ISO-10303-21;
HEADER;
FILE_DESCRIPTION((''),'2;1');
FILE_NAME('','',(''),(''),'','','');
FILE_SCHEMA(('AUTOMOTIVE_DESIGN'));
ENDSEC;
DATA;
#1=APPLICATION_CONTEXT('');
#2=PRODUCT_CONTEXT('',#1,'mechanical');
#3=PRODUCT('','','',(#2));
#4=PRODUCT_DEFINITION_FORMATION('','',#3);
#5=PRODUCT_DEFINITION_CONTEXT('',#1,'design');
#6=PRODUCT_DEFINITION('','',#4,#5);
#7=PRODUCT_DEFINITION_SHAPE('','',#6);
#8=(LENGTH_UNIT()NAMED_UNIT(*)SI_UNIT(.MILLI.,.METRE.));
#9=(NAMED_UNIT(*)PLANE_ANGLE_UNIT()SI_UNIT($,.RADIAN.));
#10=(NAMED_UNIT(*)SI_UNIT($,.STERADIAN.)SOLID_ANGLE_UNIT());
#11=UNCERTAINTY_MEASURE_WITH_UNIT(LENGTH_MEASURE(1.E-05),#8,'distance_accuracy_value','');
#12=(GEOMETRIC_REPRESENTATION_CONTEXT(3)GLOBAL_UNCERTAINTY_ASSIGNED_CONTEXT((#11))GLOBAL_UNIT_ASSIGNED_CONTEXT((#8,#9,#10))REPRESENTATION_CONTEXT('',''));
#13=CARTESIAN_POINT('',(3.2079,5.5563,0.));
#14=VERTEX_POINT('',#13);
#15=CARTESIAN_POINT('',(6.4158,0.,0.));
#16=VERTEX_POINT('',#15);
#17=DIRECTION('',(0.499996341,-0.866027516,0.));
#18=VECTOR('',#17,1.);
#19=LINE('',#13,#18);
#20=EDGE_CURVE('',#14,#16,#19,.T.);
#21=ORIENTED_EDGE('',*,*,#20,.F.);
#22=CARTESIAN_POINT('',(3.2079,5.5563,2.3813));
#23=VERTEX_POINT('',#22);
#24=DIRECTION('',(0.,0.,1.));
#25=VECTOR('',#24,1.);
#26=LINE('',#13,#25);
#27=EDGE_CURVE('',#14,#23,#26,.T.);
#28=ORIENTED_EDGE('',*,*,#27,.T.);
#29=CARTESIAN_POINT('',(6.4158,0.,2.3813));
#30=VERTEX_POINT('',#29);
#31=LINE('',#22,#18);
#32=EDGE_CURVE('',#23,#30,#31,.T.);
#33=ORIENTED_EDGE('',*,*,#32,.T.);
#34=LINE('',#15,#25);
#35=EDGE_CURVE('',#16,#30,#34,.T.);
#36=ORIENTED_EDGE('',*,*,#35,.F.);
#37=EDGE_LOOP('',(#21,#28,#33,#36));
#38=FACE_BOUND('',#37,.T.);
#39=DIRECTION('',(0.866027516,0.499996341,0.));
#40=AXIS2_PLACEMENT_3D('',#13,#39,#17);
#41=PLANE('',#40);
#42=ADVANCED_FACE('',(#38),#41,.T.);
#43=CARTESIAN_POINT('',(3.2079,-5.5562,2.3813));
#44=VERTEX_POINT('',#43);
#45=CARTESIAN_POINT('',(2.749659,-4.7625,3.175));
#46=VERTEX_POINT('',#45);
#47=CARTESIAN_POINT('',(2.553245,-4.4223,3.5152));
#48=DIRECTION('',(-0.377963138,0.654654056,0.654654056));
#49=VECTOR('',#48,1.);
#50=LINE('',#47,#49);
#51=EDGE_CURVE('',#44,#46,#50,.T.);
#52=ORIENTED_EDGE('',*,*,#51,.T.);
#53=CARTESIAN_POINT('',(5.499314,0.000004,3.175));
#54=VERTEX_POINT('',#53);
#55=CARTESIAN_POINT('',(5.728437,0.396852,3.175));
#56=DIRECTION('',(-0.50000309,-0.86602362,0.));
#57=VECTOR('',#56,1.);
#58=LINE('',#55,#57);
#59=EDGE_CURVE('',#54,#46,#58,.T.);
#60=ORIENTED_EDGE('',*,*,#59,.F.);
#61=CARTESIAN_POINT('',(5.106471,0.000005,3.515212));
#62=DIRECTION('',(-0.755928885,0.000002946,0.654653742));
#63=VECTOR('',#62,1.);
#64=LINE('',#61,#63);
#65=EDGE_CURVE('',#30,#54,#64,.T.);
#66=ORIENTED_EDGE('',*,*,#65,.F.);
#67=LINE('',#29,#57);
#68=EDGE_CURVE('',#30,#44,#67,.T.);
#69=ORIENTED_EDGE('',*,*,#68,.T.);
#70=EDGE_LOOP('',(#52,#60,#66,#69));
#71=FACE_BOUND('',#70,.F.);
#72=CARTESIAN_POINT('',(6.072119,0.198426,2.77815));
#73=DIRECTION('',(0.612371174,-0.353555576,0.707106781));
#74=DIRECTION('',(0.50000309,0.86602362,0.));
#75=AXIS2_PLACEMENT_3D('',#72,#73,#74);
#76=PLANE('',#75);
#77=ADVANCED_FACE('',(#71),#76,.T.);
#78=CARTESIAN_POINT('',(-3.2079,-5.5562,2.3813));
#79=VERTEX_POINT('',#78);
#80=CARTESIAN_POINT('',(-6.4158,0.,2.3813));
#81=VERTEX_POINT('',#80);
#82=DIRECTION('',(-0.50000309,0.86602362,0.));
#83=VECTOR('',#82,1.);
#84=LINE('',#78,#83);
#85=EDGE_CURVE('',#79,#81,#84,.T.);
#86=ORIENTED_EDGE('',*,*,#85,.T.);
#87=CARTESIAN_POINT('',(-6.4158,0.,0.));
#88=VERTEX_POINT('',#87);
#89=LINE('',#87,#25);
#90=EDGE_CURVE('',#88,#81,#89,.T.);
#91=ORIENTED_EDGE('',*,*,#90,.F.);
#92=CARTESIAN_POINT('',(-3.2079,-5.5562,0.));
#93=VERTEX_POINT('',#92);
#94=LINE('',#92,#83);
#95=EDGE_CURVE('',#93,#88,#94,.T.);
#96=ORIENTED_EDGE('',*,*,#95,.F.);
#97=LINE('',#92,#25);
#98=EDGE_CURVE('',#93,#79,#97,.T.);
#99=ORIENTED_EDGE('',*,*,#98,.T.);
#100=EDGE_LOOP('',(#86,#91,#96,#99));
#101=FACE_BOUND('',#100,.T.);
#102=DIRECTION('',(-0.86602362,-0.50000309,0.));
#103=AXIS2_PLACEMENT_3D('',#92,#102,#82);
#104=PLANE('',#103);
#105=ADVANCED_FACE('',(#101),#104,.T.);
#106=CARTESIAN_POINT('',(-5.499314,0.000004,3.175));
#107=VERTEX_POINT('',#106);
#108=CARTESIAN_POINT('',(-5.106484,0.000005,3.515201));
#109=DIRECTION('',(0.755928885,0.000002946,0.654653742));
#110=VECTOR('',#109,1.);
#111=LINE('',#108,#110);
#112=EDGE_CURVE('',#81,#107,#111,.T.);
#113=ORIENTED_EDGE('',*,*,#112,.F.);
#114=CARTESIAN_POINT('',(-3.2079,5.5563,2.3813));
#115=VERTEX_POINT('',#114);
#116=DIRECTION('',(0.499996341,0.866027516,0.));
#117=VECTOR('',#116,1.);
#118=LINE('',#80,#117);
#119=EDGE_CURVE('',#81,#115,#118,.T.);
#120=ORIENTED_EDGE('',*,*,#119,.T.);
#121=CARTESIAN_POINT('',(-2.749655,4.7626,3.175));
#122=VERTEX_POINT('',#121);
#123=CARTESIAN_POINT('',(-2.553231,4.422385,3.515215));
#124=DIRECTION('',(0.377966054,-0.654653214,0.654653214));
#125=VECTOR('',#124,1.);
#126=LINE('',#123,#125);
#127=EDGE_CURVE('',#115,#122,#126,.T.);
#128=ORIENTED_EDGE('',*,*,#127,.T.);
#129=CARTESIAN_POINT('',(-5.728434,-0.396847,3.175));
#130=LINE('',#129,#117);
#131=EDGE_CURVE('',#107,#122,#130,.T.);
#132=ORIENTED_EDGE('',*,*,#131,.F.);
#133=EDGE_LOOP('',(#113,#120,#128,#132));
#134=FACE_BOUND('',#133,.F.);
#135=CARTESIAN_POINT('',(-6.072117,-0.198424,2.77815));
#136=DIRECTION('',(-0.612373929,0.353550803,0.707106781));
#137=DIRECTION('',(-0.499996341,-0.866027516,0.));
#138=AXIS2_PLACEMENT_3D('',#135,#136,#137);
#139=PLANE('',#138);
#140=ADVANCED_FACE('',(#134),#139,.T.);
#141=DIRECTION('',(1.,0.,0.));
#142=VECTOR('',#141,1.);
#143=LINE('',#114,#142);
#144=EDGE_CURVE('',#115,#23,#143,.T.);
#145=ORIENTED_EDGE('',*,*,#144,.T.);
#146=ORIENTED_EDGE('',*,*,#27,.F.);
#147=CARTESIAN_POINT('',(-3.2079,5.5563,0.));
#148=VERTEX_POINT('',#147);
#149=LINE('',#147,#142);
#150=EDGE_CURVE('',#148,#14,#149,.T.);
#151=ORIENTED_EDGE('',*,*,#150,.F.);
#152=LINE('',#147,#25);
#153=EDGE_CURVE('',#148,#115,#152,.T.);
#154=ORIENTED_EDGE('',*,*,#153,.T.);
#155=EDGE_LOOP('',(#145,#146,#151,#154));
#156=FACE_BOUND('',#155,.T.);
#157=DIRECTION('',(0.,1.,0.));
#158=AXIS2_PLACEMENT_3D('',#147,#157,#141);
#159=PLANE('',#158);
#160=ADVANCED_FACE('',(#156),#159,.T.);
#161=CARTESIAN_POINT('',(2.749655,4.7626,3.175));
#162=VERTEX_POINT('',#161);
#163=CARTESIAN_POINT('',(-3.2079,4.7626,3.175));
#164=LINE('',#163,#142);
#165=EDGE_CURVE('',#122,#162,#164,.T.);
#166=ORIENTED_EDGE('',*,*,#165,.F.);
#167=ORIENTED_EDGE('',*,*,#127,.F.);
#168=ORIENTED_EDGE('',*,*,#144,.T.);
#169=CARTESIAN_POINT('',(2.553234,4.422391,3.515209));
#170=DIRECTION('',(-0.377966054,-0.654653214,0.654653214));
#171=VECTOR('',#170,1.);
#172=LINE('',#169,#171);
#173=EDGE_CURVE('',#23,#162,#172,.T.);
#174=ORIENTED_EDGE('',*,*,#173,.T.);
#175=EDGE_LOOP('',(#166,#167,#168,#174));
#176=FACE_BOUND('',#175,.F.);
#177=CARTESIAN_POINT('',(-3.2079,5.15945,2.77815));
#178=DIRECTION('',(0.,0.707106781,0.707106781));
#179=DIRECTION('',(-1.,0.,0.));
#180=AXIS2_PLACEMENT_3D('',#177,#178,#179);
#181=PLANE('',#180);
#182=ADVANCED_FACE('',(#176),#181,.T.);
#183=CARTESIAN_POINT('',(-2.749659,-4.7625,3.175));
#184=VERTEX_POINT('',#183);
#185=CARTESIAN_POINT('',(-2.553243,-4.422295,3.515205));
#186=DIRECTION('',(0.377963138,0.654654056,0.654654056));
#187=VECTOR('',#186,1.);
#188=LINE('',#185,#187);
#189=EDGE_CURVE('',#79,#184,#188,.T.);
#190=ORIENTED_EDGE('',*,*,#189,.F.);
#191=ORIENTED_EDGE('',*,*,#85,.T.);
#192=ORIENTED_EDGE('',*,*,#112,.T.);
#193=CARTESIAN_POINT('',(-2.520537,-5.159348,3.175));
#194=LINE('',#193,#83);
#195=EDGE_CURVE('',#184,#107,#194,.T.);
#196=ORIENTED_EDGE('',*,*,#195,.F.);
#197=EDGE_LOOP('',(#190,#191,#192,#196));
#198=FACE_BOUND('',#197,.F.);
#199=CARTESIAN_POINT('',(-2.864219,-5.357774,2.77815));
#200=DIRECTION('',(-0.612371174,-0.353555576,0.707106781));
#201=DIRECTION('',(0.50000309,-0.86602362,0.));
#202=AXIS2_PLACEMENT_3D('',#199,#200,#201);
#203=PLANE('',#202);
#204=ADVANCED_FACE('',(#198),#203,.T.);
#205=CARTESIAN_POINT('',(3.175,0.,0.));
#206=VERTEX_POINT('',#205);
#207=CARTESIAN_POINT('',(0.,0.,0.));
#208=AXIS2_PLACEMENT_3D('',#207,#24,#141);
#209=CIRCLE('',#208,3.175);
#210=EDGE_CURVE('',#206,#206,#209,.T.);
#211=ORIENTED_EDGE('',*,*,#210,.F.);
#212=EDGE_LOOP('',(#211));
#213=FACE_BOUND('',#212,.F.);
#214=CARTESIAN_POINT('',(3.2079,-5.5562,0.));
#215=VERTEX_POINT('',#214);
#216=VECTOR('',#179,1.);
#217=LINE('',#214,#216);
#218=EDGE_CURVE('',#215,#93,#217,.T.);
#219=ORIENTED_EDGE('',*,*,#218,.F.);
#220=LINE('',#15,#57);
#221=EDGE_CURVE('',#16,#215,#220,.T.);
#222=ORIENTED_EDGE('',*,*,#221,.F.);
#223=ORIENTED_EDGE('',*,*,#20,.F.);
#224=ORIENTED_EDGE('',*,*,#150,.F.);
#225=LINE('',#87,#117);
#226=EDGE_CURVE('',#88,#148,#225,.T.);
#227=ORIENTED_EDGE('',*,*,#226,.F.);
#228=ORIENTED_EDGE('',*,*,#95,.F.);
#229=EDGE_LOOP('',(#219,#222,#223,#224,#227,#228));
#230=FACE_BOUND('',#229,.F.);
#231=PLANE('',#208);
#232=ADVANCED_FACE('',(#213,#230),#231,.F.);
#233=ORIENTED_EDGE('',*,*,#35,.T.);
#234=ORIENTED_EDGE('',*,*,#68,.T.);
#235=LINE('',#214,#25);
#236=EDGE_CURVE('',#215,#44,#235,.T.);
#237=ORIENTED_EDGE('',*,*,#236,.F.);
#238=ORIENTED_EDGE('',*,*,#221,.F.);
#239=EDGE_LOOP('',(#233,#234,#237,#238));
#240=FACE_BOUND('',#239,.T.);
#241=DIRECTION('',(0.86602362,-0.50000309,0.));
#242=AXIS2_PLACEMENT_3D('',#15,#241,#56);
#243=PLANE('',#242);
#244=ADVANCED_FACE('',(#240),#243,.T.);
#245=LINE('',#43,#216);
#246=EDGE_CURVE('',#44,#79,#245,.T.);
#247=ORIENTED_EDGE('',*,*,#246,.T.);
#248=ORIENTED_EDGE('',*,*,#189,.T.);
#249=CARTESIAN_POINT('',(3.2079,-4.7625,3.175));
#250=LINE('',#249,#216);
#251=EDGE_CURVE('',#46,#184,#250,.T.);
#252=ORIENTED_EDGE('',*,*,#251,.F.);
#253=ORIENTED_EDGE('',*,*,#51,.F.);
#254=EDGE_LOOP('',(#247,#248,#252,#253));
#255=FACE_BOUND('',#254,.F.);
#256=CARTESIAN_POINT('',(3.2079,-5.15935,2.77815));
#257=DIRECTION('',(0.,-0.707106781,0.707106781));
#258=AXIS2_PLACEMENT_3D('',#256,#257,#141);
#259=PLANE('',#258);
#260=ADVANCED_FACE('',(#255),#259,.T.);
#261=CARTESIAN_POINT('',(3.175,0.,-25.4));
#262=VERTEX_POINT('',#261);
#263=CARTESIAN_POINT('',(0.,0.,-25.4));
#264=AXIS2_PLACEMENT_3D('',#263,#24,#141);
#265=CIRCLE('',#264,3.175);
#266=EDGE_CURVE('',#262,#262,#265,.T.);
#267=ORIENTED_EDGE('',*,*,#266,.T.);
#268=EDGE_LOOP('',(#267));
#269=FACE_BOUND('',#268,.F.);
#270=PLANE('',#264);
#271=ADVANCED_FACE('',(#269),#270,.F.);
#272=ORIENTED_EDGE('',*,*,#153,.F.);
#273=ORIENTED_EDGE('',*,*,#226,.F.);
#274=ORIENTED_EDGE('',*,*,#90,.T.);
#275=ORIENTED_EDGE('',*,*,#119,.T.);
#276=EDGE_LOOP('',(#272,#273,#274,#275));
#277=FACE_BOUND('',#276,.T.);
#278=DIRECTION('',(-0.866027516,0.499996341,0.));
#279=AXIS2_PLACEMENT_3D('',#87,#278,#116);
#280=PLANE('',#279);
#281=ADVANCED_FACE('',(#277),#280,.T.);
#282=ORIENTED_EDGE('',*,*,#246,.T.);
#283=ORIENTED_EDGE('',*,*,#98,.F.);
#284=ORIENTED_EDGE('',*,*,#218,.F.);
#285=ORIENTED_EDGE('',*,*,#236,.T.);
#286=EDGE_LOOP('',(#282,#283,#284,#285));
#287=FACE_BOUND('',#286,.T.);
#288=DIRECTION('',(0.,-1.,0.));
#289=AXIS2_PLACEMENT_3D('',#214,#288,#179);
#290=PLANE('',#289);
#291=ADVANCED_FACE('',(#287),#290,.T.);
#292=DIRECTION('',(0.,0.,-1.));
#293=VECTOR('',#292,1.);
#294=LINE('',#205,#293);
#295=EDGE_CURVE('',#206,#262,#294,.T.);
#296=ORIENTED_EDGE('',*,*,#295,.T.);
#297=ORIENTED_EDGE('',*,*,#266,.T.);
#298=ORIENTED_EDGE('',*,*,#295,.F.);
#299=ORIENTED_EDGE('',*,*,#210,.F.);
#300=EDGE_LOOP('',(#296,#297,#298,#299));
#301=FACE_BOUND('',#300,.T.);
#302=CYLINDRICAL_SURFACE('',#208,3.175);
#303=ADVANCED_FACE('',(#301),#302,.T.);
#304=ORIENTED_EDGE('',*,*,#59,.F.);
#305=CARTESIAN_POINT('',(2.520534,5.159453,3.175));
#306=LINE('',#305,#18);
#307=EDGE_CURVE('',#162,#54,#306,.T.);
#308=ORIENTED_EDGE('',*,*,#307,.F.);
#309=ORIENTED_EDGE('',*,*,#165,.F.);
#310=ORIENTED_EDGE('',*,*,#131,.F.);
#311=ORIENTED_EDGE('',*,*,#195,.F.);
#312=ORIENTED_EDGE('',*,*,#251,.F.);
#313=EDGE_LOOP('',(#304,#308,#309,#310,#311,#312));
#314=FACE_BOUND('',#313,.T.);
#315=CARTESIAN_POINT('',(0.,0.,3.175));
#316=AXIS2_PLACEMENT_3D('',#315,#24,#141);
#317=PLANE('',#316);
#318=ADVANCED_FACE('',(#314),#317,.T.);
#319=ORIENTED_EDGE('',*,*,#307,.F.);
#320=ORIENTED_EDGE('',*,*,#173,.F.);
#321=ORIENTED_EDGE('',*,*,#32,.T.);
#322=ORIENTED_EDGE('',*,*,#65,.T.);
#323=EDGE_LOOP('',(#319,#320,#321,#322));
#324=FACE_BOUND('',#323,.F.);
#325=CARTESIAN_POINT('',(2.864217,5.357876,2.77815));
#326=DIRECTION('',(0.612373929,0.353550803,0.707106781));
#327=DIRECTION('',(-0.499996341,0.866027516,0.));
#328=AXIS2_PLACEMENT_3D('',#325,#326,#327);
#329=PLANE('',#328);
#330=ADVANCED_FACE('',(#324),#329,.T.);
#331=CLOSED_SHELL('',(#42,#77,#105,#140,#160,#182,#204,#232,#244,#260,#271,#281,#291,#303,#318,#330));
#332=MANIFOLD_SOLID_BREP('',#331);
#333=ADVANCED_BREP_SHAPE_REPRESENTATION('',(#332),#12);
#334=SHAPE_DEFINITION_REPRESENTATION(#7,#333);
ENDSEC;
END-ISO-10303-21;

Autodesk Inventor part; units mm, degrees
ref_plane "YZ Plane" through (0, 0, 0) normal (1, 0, 0) x (0, 1, 0)
ref_plane "XZ Plane" through (0, 0, 0) normal (0, 1, 0) x (-1, 0, 0)
ref_plane "XY Plane" through (0, 0, 0) normal (0, 0, 1) x (1, 0, 0)
sketch "Sketch1" plane through (0, 0, 0) normal (0, 0, 1) x (1, 0, 0)
  circle A0 centre (0, 0) radius 3.175
  line L0 (3.2079, 5.5563) -> (6.4158, 0)
  line L1 (6.4158, 0) -> (3.2079, -5.5562)
  line L2 (3.2079, -5.5562) -> (-3.2079, -5.5562)
  line L3 (-3.2079, -5.5562) -> (-6.4158, 0)
  line L4 (-6.4158, 0) -> (-3.2079, 5.5563)
  line L5 (-3.2079, 5.5563) -> (3.2079, 5.5563)
  dimension "d0" = 6.35
  dimension "d1" = 11.1125
extrude "Extrusion1" add sketch "Sketch1" against normal blind 25.4 contours A0
extrude "Extrusion2" add sketch "Sketch1" along normal blind 3.175 contours A0 | L0 L1 L2 L3 L4 L5
thread "Thread1" size "1/4-20 UNC" class "2A" standard "ANSI Unified Screw Threads" full length
chamfer "Chamfer1" distance 0.7937 angle 45 6 edges at (4.8119, 2.7781, 3.175) (0, 5.5563, 3.175) (-4.8119, 2.7781, 3.175) (-4.8119, -2.7781, 3.175) (0, -5.5562, 3.175) (4.8119, -2.7781, 3.175)
properties part number "1_bolt_.25_20"
